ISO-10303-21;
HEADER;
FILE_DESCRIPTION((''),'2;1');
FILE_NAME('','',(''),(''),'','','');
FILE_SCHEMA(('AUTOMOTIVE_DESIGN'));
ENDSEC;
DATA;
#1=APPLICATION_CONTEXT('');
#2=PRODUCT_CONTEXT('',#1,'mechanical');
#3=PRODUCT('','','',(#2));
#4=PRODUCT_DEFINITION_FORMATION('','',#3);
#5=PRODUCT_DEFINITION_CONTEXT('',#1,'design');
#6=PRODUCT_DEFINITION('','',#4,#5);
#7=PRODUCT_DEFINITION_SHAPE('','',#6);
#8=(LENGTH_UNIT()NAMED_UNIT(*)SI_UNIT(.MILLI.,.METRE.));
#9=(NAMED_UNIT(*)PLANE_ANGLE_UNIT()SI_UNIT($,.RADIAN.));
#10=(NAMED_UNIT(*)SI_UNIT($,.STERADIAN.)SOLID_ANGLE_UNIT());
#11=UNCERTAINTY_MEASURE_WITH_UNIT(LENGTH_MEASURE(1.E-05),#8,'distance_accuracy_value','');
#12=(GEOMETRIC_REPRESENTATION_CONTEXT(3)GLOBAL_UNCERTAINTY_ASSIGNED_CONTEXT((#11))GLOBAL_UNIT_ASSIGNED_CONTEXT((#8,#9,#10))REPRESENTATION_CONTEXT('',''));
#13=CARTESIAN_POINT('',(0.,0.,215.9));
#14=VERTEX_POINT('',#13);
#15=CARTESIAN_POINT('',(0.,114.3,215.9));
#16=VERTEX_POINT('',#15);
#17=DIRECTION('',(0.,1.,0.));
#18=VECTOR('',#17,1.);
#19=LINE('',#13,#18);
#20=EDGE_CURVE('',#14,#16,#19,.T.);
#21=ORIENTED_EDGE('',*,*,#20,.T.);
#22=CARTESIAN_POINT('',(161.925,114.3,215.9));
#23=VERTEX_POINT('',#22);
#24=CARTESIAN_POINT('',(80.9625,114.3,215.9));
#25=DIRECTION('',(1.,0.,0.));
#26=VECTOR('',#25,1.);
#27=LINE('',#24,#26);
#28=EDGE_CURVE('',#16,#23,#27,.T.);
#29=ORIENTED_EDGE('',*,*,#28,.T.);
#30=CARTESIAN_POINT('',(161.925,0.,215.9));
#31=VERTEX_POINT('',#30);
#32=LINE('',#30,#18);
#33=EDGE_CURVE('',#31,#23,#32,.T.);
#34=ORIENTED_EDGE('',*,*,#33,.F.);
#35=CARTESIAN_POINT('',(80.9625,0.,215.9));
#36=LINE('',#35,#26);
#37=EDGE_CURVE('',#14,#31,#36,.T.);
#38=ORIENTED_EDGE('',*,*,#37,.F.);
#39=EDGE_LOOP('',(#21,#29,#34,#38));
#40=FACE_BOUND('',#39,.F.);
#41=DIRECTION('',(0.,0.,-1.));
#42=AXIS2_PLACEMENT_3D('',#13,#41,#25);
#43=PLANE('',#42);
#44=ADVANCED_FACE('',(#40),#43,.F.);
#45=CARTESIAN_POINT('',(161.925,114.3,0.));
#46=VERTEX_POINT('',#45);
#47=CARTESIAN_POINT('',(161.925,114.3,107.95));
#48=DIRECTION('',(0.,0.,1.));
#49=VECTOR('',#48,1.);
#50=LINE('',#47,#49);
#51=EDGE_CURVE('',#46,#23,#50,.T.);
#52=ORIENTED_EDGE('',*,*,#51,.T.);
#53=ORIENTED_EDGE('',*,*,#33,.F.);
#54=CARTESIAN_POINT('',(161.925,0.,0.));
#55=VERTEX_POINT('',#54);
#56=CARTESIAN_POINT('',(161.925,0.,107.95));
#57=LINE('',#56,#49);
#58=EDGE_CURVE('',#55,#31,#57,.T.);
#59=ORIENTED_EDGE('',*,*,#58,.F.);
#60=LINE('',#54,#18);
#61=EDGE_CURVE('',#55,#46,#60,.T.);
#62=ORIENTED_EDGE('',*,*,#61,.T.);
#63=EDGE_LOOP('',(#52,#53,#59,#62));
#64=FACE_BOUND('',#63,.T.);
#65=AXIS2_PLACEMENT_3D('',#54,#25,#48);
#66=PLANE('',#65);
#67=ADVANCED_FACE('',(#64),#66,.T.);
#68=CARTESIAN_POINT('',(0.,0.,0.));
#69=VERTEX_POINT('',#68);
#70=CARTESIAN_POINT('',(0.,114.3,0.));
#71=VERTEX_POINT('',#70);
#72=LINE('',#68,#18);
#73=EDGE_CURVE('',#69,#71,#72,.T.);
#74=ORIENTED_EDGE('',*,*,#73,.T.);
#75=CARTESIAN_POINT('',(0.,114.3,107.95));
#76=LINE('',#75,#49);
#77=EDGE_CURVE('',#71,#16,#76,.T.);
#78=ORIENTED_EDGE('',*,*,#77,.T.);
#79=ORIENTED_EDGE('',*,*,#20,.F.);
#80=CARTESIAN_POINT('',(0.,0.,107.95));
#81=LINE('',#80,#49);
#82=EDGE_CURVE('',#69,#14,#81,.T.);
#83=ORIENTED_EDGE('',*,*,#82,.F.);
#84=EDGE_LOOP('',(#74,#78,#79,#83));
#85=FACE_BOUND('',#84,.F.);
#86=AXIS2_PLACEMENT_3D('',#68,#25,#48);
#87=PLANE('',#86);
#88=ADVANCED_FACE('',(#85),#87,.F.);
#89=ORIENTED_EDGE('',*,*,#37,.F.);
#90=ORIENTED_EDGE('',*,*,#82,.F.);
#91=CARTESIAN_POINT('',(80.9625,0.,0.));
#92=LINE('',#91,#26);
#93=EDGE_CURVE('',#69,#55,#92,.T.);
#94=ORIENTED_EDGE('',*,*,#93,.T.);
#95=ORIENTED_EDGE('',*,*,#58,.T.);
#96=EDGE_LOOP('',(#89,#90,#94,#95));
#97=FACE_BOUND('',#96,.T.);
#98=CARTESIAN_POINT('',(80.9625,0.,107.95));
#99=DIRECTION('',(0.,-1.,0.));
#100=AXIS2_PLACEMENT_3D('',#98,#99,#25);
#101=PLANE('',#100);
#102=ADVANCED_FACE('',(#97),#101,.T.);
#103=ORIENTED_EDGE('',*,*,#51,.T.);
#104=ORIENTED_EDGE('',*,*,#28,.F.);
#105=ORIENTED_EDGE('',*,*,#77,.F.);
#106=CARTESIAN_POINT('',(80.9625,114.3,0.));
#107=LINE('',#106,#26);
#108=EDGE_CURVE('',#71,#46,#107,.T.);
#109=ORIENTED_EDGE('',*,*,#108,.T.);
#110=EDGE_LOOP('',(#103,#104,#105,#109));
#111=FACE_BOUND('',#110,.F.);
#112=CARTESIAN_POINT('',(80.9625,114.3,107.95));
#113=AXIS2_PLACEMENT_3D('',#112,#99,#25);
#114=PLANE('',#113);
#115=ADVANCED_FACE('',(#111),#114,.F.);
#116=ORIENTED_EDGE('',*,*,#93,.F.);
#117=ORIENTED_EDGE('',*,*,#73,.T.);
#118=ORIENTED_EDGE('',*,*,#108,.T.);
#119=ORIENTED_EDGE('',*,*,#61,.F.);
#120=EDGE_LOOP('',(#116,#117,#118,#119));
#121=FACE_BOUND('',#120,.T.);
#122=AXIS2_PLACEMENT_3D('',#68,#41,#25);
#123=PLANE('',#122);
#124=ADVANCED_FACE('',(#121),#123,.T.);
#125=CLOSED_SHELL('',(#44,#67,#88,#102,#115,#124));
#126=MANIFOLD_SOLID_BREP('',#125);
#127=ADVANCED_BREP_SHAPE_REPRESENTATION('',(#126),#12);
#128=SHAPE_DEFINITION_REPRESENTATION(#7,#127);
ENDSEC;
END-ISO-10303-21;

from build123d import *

# Parameters (mm, degrees)
F0_W     = 63.75
F0_H     = 85
F1_DEPTH = 45
F2_SCALE = 2.54


with BuildPart() as f1:
    # F0 (on Front) → F1 (new body)
    with BuildSketch(Plane.XZ):
        with Locations((31.875, 42.5)):
            Rectangle(F0_W, F0_H)
    extrude(amount=-F1_DEPTH)


with BuildPart() as f1_1:
    # F2: moved
    add(f1.part.scale(F2_SCALE))


solid = f1_1.part
